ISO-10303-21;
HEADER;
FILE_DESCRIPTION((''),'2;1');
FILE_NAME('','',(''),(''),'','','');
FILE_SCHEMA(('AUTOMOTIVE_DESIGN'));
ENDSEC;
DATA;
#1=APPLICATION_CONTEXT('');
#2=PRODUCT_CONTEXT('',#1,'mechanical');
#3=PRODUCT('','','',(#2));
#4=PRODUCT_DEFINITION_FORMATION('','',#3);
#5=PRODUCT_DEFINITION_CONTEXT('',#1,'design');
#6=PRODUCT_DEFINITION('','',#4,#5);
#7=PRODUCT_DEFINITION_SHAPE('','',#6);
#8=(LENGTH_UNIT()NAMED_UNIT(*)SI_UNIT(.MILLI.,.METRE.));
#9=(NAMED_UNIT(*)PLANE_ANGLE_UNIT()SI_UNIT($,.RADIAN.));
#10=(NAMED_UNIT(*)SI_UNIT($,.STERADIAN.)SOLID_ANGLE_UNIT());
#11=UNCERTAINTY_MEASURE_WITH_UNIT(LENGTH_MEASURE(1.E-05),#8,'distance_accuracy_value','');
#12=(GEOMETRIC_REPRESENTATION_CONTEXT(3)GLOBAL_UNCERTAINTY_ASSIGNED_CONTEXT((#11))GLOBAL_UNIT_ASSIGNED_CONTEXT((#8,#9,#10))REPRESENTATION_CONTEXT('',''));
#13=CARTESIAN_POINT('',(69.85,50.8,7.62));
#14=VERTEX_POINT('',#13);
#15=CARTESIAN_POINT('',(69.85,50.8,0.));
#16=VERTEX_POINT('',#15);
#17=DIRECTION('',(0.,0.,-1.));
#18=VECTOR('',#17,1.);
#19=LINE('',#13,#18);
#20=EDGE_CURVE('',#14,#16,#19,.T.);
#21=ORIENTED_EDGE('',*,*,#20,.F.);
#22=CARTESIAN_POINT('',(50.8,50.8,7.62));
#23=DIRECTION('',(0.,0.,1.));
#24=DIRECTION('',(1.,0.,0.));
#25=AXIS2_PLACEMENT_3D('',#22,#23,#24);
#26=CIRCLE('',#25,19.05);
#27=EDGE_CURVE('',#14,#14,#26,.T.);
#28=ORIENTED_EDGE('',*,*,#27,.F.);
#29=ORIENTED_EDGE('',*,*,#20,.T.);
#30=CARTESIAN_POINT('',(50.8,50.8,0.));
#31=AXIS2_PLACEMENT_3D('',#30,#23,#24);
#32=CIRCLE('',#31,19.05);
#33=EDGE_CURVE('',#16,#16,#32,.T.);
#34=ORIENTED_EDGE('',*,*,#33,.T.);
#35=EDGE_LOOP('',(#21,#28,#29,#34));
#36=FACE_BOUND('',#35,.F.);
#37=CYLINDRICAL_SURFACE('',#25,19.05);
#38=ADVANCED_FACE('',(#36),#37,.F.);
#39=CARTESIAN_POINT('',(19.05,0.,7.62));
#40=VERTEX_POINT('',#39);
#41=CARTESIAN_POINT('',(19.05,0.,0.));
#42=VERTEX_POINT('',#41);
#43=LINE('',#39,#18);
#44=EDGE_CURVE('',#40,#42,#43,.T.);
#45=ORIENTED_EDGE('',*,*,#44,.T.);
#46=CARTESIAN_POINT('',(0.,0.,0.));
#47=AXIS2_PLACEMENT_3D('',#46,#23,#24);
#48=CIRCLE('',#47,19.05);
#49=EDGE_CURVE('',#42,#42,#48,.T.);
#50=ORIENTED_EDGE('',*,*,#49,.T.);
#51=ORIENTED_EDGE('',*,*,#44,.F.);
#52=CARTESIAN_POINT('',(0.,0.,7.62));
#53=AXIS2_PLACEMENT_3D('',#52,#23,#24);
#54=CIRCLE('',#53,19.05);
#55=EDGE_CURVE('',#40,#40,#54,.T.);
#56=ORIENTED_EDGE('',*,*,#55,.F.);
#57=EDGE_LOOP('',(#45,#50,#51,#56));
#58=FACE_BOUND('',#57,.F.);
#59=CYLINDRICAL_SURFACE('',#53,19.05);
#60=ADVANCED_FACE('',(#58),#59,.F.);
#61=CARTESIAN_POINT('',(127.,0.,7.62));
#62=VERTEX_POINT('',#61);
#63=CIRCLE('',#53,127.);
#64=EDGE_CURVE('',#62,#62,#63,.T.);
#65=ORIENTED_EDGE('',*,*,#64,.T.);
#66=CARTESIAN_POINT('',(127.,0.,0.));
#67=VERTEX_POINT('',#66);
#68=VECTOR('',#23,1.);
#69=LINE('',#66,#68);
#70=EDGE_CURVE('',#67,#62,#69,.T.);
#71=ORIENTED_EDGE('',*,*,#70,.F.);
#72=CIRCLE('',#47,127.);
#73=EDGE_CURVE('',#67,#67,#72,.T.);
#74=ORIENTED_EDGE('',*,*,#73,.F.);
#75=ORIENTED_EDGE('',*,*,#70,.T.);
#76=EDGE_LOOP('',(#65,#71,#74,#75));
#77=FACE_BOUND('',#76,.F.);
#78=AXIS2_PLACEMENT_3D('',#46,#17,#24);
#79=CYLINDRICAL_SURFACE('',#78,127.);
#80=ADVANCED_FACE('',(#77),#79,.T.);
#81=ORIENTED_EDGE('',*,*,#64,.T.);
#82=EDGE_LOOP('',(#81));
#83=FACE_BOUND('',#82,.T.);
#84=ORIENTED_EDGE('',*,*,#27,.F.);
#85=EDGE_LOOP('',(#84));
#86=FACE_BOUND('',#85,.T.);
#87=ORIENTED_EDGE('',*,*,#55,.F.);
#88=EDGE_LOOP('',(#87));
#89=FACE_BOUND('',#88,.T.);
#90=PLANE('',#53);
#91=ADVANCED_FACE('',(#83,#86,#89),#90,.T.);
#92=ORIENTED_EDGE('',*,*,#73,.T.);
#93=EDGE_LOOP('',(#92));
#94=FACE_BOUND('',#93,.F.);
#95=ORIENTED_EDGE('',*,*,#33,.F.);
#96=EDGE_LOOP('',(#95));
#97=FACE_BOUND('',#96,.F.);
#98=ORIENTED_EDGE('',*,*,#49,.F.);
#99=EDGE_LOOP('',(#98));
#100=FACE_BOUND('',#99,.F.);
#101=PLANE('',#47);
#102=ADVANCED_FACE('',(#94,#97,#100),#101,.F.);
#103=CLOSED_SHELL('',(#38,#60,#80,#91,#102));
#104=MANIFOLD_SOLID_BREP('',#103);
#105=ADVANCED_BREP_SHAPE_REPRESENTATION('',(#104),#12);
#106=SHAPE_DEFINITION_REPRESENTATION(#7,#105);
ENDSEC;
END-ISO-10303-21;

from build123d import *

# Parameters (mm, degrees)
F0_R     = 127
F1_DEPTH = 7.62
F2_R     = 19.05
F3_DEPTH = 7.62


with BuildPart() as f1:
    # F0 (on Top) → F1 (new body)
    with BuildSketch(Plane.XY):
        Circle(F0_R)
    extrude(amount=F1_DEPTH)

    # F2 (on face) → F3 (cut)
    with BuildSketch(Plane.XY.offset(7.62)):
        Circle(F2_R)
        with Locations((50.8, 50.8)):
            Circle(F2_R)
    extrude(amount=-F3_DEPTH, mode=Mode.SUBTRACT)


solid = f1.part
